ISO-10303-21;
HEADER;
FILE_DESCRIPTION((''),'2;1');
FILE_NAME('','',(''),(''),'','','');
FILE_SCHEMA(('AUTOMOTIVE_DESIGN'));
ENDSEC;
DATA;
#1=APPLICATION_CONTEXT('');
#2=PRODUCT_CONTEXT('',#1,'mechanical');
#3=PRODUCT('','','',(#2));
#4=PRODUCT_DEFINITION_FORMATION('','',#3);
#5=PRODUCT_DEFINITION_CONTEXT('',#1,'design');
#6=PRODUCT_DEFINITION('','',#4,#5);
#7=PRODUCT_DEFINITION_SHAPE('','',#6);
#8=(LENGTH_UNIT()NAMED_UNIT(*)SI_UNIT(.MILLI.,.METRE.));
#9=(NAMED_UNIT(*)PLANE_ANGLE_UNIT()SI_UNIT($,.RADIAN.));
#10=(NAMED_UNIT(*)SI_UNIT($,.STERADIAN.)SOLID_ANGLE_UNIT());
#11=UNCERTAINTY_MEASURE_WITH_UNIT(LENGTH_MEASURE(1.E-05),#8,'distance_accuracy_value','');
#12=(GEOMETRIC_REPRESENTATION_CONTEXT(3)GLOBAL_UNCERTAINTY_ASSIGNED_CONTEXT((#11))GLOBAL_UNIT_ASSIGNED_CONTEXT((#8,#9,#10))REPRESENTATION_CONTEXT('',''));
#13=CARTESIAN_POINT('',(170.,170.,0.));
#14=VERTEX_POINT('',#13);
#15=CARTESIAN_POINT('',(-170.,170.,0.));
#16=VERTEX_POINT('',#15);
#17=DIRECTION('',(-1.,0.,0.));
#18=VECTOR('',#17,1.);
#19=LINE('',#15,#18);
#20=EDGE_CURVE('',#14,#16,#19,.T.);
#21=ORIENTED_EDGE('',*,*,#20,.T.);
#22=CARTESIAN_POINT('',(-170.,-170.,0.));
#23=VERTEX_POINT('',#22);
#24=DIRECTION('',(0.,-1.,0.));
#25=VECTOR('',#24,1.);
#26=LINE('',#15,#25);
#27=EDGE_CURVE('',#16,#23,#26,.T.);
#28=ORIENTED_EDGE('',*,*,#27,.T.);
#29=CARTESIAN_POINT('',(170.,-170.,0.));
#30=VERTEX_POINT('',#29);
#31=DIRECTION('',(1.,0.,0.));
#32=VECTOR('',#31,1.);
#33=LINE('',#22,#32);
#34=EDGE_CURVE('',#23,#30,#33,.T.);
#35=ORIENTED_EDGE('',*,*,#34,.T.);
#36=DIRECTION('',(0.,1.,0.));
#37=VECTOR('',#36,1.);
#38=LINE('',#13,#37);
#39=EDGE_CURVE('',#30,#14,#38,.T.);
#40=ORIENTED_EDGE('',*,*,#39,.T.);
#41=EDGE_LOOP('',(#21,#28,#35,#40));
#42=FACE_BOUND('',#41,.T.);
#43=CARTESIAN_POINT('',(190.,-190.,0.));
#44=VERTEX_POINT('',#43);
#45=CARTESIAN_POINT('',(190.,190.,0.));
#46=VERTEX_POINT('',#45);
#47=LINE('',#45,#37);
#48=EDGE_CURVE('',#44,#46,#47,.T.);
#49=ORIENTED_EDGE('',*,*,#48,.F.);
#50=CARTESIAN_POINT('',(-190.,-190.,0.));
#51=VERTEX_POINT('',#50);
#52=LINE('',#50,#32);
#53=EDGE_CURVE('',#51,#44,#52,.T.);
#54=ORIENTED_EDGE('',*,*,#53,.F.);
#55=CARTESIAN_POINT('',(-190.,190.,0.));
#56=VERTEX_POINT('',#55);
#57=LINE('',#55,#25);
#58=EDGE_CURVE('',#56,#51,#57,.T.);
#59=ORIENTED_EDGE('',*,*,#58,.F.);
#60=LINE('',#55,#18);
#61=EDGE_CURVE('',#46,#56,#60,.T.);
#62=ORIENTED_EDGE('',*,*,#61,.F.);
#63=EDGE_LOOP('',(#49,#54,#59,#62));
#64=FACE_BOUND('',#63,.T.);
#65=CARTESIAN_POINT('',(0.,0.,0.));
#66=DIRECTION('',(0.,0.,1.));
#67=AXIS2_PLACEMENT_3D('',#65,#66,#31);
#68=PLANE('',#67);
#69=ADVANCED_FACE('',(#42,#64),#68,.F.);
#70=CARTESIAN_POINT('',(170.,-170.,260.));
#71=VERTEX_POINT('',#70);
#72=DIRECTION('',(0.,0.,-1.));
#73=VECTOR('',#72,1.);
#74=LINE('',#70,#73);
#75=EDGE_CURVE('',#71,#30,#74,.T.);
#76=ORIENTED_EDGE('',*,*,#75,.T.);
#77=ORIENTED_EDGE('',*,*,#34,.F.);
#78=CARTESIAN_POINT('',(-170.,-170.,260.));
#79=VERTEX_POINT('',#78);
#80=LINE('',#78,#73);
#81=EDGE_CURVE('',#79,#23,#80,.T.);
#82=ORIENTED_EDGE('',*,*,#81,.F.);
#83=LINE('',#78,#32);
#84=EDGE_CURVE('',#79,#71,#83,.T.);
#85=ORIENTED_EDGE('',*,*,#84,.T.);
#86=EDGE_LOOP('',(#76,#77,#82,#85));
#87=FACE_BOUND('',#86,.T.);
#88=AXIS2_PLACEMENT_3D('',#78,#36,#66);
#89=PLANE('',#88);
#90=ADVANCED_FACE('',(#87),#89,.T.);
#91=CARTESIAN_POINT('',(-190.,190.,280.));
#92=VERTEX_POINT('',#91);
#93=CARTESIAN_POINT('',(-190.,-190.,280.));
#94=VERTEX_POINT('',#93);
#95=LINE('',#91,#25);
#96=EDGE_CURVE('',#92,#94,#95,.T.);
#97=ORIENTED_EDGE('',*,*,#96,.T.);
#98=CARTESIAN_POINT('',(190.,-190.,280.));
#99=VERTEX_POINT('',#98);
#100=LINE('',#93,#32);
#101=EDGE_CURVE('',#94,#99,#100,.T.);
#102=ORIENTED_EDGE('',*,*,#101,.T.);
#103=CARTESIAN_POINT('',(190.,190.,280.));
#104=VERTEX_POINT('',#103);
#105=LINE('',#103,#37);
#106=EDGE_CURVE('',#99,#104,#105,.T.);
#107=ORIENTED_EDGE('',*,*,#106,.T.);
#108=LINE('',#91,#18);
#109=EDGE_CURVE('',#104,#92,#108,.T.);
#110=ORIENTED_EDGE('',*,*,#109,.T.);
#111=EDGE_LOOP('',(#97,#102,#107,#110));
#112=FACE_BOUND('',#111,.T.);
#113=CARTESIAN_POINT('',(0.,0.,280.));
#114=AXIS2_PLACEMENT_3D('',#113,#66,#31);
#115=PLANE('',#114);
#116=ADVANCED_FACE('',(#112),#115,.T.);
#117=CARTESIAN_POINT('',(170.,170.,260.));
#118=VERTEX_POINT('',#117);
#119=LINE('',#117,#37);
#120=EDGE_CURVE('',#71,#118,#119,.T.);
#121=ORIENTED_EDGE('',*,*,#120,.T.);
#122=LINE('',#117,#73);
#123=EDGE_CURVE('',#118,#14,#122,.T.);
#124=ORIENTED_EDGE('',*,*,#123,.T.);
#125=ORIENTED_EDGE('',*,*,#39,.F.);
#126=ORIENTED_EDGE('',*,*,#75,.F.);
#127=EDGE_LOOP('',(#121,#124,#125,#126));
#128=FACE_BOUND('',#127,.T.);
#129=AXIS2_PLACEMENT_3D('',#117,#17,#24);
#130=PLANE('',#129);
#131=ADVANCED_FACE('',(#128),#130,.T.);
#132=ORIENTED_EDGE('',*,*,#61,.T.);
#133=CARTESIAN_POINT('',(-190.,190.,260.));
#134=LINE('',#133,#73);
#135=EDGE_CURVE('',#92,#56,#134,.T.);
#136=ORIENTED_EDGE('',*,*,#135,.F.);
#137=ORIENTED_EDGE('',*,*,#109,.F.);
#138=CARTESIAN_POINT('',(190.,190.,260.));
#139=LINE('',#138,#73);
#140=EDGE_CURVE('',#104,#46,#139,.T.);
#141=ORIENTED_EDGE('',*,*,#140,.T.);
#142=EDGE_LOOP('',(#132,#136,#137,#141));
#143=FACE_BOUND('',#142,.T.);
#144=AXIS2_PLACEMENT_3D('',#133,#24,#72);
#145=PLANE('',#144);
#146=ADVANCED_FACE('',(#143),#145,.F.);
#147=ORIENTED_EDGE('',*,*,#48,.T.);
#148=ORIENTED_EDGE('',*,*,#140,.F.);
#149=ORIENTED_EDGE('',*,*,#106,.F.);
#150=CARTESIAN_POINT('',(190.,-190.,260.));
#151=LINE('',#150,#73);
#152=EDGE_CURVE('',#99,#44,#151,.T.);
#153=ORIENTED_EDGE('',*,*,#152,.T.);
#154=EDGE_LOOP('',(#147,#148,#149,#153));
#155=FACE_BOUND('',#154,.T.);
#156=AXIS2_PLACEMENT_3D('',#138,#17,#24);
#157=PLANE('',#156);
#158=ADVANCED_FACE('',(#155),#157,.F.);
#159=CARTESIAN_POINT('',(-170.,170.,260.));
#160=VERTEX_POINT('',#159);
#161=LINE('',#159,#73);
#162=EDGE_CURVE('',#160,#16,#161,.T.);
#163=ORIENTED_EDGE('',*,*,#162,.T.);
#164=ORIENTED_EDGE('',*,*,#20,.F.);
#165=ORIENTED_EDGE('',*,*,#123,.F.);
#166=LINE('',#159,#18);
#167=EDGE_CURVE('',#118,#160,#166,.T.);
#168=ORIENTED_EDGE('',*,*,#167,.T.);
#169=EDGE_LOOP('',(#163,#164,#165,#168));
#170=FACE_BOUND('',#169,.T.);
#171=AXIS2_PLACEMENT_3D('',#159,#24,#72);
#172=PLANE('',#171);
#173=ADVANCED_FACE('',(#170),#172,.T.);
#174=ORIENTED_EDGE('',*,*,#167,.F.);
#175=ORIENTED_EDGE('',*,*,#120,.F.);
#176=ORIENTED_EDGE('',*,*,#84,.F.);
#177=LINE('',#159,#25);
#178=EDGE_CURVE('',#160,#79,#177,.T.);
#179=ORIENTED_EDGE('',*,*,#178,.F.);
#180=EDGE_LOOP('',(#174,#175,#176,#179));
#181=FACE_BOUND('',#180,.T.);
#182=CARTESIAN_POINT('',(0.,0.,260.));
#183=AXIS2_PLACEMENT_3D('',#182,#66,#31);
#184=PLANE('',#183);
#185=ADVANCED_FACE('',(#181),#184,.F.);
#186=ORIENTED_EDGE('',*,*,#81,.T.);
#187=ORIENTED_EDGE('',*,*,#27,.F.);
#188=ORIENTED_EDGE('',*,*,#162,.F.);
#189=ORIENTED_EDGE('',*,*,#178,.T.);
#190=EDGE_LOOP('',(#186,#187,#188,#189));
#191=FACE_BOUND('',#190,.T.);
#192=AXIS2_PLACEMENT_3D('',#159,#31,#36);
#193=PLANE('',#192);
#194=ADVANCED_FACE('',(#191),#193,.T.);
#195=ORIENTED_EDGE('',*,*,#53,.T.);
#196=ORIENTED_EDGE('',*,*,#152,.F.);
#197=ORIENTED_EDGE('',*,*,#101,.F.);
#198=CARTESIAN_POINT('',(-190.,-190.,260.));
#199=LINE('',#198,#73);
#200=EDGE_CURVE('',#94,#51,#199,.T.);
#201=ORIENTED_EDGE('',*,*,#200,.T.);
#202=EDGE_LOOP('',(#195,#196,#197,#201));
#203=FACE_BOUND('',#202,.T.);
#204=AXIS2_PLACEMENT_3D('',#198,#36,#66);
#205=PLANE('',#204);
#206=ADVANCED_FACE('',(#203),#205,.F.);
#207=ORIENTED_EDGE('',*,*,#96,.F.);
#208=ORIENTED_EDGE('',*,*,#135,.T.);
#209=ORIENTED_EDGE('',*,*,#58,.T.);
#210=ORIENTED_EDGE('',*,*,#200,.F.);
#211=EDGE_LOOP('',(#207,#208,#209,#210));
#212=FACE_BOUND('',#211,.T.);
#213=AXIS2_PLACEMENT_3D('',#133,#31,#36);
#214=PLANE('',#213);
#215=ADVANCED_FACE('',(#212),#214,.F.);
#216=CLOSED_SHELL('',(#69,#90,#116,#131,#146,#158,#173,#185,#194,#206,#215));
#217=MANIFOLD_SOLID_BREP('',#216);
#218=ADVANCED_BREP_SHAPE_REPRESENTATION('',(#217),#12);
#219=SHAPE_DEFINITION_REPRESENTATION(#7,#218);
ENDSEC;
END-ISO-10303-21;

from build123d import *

# Parameters (mm, degrees)
ESQUISSE1_W        = 380
ESQUISSE1_H        = 380
ESQUISSE1_W_2      = 340
ESQUISSE1_H_2      = 340
BOSS_EXTRU_1_DEPTH = 260
ESQUISSE2_W        = 380
ESQUISSE2_H        = 380
BOSS_EXTRU_2_DEPTH = 20


with BuildPart() as part:
    # Esquisse1 → Boss.-Extru.1 (new body)
    with BuildSketch(Plane.XY):
        Rectangle(ESQUISSE1_W, ESQUISSE1_H)
        Rectangle(ESQUISSE1_W_2, ESQUISSE1_H_2, mode=Mode.SUBTRACT)
    extrude(amount=BOSS_EXTRU_1_DEPTH)

    # Esquisse2 → Boss.-Extru.2 (add)
    with BuildSketch(Plane.XY.offset(260)):
        Rectangle(ESQUISSE2_W, ESQUISSE2_H)
    extrude(amount=BOSS_EXTRU_2_DEPTH)


solid = part.part
